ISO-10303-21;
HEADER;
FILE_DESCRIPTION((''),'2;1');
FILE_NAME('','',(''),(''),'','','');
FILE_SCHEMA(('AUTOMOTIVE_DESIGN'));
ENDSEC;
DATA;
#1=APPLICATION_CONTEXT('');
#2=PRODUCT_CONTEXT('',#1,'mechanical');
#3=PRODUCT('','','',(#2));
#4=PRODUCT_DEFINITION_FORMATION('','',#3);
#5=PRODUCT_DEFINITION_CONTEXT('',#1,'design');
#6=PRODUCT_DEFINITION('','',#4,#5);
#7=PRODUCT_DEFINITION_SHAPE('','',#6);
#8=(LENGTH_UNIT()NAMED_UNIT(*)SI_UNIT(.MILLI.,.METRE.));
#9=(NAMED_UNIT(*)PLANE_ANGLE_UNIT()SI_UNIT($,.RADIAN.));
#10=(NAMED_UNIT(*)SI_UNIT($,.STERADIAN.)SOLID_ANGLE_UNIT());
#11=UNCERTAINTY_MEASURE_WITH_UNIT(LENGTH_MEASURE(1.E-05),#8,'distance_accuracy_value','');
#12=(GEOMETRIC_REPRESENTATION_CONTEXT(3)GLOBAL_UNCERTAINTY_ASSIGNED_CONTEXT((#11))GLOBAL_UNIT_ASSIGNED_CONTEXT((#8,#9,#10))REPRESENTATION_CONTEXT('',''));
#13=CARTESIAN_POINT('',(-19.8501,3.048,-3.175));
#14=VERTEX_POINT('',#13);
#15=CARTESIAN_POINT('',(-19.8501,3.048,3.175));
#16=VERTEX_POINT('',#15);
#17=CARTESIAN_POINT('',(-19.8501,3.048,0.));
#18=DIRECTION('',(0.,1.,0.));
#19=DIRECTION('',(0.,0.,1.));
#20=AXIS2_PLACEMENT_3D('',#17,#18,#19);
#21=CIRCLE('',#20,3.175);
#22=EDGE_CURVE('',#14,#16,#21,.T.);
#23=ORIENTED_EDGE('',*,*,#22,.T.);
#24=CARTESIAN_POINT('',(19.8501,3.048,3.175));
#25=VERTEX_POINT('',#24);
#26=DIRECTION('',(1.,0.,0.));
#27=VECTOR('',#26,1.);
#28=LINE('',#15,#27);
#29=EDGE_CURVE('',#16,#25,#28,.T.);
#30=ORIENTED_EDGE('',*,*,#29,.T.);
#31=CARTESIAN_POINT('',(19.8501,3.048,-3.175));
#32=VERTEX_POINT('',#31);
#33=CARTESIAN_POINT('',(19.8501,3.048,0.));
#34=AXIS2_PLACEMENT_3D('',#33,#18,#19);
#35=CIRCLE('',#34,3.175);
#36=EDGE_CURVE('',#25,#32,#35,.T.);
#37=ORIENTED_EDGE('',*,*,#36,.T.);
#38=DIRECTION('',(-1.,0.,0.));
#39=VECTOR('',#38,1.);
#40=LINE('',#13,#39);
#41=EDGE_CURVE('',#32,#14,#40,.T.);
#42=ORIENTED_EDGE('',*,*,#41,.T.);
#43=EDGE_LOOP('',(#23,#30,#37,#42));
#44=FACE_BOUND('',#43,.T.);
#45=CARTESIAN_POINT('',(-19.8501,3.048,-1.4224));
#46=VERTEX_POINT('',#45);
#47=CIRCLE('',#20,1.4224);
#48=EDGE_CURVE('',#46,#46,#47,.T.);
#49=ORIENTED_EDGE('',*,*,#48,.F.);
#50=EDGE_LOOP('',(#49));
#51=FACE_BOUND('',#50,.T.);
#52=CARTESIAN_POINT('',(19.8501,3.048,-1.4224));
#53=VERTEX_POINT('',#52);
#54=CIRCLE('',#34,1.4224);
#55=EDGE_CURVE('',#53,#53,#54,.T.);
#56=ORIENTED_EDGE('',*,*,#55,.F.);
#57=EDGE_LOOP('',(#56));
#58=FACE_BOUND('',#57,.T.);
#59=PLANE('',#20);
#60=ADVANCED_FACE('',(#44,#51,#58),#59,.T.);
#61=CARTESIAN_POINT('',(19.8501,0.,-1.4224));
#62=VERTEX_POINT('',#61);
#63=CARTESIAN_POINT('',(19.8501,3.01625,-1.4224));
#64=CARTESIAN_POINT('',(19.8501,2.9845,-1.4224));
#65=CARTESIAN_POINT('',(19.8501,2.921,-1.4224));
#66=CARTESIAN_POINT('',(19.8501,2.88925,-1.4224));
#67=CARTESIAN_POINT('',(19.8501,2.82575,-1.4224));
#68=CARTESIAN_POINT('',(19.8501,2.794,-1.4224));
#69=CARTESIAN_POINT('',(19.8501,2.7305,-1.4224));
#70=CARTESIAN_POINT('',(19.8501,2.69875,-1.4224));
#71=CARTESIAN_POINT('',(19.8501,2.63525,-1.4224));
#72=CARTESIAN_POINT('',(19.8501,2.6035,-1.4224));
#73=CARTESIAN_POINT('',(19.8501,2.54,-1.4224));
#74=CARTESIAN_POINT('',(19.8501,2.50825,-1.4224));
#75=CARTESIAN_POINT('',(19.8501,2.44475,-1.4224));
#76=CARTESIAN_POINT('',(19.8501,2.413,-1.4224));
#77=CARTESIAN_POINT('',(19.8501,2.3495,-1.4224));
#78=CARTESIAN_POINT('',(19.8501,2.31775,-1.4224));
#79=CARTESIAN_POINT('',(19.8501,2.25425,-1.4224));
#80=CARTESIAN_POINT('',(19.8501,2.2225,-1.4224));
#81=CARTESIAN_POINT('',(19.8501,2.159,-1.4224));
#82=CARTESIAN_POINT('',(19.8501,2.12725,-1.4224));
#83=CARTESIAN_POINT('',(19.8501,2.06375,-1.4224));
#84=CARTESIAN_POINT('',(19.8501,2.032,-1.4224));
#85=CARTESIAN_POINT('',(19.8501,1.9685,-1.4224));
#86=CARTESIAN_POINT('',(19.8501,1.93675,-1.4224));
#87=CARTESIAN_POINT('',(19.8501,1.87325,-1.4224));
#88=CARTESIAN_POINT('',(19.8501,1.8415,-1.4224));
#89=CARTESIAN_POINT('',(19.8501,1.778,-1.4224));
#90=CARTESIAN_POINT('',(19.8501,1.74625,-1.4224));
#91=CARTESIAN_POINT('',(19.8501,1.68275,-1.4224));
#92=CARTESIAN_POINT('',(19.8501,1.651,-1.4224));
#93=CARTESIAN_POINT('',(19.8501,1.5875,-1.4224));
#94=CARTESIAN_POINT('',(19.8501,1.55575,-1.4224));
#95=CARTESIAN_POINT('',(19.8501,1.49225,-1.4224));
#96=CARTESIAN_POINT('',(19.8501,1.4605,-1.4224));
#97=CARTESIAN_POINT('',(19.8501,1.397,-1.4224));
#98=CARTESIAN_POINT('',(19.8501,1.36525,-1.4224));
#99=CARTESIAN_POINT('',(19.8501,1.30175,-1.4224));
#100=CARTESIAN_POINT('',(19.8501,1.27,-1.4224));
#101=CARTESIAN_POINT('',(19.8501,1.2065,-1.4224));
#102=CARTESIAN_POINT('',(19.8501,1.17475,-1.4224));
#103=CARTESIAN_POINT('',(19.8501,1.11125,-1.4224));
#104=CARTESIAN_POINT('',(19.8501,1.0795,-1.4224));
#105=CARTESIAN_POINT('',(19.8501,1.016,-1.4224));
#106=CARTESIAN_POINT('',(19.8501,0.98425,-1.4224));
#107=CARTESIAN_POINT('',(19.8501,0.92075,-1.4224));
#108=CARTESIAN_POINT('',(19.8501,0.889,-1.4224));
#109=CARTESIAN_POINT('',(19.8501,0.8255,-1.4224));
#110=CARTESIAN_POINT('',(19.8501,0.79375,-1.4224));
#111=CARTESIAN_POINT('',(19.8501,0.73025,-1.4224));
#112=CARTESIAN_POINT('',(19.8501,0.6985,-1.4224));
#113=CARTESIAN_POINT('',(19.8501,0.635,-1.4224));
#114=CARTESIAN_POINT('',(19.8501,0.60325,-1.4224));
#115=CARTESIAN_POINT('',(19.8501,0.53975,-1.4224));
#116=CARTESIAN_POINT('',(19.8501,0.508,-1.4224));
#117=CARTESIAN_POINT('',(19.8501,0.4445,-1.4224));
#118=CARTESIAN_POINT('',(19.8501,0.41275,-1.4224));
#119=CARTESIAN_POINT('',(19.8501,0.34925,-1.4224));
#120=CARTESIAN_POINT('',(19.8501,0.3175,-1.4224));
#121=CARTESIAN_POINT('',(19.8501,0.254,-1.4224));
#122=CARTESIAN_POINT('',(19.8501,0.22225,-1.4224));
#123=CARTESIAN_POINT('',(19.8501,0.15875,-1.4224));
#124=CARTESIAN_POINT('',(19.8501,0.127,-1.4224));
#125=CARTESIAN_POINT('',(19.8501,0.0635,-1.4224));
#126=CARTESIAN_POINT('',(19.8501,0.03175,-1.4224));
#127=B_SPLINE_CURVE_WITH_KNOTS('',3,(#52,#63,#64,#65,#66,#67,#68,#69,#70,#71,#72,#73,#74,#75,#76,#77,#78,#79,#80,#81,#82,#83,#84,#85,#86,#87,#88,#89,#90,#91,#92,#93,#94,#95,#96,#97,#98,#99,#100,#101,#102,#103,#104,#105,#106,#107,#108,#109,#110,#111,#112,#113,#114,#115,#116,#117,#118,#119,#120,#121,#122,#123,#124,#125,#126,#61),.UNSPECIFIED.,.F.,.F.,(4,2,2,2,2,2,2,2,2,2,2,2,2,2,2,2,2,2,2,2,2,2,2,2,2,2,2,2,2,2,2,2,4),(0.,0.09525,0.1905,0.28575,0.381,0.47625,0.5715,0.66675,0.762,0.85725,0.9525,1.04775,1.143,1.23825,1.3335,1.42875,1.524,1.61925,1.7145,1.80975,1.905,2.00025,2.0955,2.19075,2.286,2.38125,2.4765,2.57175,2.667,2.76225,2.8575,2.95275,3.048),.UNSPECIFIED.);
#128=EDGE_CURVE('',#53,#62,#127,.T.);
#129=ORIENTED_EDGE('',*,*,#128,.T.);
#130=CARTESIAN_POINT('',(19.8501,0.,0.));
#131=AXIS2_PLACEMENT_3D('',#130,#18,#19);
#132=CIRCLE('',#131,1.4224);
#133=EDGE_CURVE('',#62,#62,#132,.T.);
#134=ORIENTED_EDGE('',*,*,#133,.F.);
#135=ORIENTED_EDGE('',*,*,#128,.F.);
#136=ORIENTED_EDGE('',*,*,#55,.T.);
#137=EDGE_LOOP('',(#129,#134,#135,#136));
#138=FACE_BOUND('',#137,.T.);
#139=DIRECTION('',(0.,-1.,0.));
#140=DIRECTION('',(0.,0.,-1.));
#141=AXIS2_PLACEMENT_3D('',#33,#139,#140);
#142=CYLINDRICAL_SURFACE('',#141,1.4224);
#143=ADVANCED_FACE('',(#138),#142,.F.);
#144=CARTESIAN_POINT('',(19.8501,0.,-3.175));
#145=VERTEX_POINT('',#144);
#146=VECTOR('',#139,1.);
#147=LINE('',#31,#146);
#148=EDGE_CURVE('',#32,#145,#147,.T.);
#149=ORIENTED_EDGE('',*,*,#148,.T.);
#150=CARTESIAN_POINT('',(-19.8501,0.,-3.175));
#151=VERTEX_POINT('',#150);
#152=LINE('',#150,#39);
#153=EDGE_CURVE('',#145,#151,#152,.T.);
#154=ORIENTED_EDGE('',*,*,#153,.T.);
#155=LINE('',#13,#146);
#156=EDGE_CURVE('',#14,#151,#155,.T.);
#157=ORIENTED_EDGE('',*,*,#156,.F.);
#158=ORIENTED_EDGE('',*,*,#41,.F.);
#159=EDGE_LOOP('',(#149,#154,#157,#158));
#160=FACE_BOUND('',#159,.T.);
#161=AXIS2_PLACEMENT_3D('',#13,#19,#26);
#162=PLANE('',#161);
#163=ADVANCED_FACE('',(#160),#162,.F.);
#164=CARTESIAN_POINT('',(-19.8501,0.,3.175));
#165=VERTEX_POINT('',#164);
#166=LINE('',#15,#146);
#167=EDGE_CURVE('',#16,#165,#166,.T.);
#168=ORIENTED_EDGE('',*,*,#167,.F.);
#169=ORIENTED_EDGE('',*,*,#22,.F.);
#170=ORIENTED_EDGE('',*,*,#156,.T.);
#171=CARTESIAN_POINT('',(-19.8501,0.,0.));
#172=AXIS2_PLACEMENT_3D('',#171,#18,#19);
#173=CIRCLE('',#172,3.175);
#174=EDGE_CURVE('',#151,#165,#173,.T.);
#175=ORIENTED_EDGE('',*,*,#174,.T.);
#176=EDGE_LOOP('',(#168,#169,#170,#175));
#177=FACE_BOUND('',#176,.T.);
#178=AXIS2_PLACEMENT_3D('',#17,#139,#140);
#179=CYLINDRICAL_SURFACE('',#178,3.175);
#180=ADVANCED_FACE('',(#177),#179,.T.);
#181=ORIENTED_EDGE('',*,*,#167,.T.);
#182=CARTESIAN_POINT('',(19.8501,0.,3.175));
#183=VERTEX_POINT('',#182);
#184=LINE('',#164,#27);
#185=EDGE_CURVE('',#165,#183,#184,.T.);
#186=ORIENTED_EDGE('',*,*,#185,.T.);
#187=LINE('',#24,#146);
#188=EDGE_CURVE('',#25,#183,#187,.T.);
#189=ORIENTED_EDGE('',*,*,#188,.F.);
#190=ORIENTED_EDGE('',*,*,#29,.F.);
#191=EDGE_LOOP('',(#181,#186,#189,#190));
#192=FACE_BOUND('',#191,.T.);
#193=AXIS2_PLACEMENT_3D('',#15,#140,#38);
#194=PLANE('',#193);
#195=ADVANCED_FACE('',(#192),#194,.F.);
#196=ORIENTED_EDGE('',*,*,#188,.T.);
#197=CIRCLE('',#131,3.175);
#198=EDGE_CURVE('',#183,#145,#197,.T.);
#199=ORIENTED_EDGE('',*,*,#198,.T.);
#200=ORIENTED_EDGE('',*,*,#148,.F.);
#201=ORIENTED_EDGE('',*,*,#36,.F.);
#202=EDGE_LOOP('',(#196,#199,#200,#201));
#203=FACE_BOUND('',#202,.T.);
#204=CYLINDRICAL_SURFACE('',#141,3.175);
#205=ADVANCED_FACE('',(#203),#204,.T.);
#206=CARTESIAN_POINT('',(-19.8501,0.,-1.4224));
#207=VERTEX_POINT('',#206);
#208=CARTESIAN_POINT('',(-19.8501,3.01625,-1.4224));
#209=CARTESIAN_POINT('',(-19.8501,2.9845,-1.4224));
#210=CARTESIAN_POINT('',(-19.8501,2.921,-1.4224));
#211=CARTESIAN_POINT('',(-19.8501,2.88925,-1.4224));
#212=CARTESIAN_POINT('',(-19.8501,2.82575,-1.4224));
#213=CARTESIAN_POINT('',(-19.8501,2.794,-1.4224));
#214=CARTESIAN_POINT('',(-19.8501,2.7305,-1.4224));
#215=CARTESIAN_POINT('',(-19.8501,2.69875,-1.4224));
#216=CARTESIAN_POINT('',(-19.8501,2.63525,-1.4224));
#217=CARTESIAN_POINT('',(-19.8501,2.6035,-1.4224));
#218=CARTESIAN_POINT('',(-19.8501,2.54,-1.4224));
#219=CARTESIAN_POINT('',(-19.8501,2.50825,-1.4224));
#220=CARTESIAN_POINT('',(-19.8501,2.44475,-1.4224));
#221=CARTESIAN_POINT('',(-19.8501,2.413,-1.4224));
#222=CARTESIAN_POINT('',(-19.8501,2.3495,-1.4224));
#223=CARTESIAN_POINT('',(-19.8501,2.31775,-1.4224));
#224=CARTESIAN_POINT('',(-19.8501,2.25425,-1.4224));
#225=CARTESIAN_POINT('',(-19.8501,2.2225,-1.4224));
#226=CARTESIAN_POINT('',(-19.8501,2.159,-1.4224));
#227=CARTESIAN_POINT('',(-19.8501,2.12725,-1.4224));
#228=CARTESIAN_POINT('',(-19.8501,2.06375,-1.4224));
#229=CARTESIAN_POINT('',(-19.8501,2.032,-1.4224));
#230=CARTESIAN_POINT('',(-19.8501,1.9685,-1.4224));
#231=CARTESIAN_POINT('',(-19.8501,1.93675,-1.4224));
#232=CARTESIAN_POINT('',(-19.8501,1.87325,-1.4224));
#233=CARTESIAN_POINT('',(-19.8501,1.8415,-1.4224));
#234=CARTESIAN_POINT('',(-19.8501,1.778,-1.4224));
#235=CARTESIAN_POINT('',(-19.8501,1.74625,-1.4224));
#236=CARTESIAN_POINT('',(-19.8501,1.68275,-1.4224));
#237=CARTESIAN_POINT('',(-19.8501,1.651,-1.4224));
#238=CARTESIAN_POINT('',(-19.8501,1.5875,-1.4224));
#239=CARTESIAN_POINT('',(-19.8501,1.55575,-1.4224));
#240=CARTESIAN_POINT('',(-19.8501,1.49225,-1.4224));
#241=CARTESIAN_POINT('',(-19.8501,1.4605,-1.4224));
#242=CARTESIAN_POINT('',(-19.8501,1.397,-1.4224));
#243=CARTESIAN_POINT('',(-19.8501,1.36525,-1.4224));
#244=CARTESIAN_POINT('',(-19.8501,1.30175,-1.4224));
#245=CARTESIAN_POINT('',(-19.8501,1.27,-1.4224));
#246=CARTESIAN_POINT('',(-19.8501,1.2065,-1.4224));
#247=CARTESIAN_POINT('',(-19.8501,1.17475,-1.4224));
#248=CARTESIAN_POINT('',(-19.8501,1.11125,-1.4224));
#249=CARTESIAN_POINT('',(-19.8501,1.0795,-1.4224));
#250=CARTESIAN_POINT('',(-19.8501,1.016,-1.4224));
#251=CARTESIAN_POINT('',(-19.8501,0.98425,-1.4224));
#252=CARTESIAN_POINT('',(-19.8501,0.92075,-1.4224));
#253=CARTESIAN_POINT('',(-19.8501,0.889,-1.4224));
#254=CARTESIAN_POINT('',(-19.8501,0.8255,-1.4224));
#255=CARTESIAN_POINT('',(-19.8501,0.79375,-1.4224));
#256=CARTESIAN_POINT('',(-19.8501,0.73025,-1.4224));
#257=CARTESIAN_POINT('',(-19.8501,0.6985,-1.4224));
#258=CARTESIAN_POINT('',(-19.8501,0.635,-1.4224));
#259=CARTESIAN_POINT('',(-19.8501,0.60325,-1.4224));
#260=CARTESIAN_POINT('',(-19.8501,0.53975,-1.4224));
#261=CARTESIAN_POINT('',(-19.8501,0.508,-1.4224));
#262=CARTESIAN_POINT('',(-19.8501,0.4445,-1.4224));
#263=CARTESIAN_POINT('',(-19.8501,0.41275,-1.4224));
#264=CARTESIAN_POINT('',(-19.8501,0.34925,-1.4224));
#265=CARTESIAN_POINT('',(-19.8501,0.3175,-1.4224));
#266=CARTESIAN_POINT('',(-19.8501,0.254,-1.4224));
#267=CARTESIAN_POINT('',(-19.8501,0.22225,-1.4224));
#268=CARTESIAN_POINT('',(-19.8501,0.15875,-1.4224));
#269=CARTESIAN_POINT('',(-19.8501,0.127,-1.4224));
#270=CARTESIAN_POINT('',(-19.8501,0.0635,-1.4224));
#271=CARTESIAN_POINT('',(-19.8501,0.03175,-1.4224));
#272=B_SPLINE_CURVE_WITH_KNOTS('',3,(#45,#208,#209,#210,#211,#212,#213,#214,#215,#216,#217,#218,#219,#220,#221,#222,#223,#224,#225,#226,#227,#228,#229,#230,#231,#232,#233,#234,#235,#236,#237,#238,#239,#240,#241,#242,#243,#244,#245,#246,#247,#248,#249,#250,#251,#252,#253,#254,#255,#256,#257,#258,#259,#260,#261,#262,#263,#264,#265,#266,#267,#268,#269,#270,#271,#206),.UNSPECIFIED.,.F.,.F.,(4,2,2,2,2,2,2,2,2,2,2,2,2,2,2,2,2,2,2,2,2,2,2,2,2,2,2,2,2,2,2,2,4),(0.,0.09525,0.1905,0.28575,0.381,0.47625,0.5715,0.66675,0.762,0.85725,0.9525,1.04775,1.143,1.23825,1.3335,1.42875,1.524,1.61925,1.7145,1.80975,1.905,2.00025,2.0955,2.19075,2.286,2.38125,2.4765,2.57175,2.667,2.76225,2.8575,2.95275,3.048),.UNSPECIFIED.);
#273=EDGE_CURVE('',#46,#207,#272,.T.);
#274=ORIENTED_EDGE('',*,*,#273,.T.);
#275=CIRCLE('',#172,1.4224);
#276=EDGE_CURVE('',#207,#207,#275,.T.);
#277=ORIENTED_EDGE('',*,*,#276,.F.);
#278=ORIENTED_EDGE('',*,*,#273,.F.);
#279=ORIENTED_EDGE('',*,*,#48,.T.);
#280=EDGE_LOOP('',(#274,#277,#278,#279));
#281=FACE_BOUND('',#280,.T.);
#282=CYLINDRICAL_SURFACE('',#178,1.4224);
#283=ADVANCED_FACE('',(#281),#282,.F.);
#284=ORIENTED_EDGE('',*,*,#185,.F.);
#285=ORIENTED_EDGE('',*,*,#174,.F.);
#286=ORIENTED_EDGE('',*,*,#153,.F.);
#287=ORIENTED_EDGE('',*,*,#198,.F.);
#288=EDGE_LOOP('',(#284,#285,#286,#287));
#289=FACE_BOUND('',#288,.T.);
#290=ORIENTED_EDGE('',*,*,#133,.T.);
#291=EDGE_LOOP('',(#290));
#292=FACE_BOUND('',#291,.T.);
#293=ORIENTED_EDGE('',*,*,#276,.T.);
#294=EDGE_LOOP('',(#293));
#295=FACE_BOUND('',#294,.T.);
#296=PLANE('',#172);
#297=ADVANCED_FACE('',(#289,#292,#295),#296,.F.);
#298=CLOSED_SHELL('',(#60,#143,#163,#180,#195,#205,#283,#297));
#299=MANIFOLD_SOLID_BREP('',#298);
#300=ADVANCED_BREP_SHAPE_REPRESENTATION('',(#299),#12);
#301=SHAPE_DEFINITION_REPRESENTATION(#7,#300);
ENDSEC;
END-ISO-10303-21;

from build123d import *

# Parameters (mm, degrees)
SKETCH1_R           = 1.4224
BOSS_EXTRUDE1_DEPTH = 3.048


with BuildPart() as part:
    # Sketch1 → Boss-Extrude1 (new body)
    with BuildSketch(Plane(origin=(0, 0, 0), x_dir=(1, 0, 0), z_dir=(0, 1, 0))):
        with BuildLine():
            Line((-19.8501, 3.175), (19.8501, 3.175))
            ThreePointArc((19.8501, 3.175), (23.0251, 0), (19.8501, -3.175))
            Line((19.8501, -3.175), (-19.8501, -3.175))
            ThreePointArc((-19.8501, -3.175), (-23.0251, 0), (-19.8501, 3.175))
        make_face()
        with Locations(Location((-19.8501, 0, 0), (0, 0, 90))):
            Circle(SKETCH1_R, mode=Mode.SUBTRACT)
        with Locations(Location((19.8501, 0, 0), (0, 0, 90))):
            Circle(SKETCH1_R, mode=Mode.SUBTRACT)
    extrude(amount=BOSS_EXTRUDE1_DEPTH)


solid = part.part
